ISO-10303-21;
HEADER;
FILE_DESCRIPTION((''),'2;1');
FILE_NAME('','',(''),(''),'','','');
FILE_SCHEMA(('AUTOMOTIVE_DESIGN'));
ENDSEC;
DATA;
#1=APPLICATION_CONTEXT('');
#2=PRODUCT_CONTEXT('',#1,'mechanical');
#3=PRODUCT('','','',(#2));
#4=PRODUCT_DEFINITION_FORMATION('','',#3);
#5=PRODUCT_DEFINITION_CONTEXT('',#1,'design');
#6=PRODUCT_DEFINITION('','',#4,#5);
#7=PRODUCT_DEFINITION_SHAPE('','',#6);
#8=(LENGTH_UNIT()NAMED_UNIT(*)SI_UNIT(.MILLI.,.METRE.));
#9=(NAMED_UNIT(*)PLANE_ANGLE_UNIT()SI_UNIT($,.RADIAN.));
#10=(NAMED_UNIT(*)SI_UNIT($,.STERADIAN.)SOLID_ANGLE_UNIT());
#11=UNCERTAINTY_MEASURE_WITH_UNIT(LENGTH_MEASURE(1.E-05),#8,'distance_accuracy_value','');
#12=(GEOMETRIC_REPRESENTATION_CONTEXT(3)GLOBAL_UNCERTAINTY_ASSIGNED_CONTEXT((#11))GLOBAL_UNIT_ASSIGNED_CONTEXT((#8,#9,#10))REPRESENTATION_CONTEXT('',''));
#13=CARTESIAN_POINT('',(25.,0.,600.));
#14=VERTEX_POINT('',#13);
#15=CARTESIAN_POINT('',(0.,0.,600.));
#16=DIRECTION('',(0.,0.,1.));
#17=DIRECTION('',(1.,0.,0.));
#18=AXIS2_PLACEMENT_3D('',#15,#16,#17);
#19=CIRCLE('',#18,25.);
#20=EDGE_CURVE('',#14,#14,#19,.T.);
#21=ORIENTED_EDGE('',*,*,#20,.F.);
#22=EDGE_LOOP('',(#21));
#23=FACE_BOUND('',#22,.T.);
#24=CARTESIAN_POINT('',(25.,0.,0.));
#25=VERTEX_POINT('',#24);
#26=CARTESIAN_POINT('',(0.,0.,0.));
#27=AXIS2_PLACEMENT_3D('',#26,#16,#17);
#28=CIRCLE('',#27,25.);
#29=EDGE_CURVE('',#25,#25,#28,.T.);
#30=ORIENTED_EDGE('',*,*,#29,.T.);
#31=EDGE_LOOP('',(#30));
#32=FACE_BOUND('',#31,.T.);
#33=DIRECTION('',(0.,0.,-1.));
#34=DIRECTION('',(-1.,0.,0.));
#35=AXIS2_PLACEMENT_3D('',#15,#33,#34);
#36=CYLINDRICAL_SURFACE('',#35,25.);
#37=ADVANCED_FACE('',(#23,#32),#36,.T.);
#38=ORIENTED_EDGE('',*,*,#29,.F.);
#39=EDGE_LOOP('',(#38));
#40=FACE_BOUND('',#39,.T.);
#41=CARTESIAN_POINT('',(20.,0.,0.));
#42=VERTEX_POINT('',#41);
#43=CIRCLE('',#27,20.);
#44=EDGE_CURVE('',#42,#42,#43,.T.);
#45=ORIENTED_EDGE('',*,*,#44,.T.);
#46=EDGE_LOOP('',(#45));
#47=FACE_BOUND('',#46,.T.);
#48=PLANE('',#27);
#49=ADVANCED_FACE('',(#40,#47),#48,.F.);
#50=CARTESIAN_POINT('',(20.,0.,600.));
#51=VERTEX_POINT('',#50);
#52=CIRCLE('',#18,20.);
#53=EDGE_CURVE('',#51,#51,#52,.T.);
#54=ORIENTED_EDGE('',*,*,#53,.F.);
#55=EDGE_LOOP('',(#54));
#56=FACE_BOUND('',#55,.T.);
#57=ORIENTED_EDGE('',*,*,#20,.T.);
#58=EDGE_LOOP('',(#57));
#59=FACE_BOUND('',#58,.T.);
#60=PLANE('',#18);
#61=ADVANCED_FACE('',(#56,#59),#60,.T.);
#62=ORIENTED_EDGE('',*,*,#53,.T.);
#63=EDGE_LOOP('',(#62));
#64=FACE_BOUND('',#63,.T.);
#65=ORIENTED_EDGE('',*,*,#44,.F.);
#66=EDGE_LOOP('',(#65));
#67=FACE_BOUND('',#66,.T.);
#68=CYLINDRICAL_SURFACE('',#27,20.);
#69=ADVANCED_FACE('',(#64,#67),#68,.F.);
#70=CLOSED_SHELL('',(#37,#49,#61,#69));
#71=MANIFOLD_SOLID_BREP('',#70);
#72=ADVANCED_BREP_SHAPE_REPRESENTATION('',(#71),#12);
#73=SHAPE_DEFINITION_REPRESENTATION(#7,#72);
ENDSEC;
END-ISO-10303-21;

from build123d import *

# Parameters (mm, degrees)
SKETCH_2_R          = 25
EXTRUDE_1_DEPTH     = 600
SKETCH_3_R          = 20
CUT_EXTRUDE_1_DEPTH = 600


with BuildPart() as part:
    # 草图2 → 凸台-拉伸1 (new body)
    with BuildSketch(Plane.XY):
        Circle(SKETCH_2_R)
    extrude(amount=EXTRUDE_1_DEPTH)

    # 草图3 → 切除-拉伸1 (cut)
    with BuildSketch(Plane.XY.offset(600)):
        Circle(SKETCH_3_R)
    extrude(amount=-CUT_EXTRUDE_1_DEPTH, mode=Mode.SUBTRACT)


solid = part.part
